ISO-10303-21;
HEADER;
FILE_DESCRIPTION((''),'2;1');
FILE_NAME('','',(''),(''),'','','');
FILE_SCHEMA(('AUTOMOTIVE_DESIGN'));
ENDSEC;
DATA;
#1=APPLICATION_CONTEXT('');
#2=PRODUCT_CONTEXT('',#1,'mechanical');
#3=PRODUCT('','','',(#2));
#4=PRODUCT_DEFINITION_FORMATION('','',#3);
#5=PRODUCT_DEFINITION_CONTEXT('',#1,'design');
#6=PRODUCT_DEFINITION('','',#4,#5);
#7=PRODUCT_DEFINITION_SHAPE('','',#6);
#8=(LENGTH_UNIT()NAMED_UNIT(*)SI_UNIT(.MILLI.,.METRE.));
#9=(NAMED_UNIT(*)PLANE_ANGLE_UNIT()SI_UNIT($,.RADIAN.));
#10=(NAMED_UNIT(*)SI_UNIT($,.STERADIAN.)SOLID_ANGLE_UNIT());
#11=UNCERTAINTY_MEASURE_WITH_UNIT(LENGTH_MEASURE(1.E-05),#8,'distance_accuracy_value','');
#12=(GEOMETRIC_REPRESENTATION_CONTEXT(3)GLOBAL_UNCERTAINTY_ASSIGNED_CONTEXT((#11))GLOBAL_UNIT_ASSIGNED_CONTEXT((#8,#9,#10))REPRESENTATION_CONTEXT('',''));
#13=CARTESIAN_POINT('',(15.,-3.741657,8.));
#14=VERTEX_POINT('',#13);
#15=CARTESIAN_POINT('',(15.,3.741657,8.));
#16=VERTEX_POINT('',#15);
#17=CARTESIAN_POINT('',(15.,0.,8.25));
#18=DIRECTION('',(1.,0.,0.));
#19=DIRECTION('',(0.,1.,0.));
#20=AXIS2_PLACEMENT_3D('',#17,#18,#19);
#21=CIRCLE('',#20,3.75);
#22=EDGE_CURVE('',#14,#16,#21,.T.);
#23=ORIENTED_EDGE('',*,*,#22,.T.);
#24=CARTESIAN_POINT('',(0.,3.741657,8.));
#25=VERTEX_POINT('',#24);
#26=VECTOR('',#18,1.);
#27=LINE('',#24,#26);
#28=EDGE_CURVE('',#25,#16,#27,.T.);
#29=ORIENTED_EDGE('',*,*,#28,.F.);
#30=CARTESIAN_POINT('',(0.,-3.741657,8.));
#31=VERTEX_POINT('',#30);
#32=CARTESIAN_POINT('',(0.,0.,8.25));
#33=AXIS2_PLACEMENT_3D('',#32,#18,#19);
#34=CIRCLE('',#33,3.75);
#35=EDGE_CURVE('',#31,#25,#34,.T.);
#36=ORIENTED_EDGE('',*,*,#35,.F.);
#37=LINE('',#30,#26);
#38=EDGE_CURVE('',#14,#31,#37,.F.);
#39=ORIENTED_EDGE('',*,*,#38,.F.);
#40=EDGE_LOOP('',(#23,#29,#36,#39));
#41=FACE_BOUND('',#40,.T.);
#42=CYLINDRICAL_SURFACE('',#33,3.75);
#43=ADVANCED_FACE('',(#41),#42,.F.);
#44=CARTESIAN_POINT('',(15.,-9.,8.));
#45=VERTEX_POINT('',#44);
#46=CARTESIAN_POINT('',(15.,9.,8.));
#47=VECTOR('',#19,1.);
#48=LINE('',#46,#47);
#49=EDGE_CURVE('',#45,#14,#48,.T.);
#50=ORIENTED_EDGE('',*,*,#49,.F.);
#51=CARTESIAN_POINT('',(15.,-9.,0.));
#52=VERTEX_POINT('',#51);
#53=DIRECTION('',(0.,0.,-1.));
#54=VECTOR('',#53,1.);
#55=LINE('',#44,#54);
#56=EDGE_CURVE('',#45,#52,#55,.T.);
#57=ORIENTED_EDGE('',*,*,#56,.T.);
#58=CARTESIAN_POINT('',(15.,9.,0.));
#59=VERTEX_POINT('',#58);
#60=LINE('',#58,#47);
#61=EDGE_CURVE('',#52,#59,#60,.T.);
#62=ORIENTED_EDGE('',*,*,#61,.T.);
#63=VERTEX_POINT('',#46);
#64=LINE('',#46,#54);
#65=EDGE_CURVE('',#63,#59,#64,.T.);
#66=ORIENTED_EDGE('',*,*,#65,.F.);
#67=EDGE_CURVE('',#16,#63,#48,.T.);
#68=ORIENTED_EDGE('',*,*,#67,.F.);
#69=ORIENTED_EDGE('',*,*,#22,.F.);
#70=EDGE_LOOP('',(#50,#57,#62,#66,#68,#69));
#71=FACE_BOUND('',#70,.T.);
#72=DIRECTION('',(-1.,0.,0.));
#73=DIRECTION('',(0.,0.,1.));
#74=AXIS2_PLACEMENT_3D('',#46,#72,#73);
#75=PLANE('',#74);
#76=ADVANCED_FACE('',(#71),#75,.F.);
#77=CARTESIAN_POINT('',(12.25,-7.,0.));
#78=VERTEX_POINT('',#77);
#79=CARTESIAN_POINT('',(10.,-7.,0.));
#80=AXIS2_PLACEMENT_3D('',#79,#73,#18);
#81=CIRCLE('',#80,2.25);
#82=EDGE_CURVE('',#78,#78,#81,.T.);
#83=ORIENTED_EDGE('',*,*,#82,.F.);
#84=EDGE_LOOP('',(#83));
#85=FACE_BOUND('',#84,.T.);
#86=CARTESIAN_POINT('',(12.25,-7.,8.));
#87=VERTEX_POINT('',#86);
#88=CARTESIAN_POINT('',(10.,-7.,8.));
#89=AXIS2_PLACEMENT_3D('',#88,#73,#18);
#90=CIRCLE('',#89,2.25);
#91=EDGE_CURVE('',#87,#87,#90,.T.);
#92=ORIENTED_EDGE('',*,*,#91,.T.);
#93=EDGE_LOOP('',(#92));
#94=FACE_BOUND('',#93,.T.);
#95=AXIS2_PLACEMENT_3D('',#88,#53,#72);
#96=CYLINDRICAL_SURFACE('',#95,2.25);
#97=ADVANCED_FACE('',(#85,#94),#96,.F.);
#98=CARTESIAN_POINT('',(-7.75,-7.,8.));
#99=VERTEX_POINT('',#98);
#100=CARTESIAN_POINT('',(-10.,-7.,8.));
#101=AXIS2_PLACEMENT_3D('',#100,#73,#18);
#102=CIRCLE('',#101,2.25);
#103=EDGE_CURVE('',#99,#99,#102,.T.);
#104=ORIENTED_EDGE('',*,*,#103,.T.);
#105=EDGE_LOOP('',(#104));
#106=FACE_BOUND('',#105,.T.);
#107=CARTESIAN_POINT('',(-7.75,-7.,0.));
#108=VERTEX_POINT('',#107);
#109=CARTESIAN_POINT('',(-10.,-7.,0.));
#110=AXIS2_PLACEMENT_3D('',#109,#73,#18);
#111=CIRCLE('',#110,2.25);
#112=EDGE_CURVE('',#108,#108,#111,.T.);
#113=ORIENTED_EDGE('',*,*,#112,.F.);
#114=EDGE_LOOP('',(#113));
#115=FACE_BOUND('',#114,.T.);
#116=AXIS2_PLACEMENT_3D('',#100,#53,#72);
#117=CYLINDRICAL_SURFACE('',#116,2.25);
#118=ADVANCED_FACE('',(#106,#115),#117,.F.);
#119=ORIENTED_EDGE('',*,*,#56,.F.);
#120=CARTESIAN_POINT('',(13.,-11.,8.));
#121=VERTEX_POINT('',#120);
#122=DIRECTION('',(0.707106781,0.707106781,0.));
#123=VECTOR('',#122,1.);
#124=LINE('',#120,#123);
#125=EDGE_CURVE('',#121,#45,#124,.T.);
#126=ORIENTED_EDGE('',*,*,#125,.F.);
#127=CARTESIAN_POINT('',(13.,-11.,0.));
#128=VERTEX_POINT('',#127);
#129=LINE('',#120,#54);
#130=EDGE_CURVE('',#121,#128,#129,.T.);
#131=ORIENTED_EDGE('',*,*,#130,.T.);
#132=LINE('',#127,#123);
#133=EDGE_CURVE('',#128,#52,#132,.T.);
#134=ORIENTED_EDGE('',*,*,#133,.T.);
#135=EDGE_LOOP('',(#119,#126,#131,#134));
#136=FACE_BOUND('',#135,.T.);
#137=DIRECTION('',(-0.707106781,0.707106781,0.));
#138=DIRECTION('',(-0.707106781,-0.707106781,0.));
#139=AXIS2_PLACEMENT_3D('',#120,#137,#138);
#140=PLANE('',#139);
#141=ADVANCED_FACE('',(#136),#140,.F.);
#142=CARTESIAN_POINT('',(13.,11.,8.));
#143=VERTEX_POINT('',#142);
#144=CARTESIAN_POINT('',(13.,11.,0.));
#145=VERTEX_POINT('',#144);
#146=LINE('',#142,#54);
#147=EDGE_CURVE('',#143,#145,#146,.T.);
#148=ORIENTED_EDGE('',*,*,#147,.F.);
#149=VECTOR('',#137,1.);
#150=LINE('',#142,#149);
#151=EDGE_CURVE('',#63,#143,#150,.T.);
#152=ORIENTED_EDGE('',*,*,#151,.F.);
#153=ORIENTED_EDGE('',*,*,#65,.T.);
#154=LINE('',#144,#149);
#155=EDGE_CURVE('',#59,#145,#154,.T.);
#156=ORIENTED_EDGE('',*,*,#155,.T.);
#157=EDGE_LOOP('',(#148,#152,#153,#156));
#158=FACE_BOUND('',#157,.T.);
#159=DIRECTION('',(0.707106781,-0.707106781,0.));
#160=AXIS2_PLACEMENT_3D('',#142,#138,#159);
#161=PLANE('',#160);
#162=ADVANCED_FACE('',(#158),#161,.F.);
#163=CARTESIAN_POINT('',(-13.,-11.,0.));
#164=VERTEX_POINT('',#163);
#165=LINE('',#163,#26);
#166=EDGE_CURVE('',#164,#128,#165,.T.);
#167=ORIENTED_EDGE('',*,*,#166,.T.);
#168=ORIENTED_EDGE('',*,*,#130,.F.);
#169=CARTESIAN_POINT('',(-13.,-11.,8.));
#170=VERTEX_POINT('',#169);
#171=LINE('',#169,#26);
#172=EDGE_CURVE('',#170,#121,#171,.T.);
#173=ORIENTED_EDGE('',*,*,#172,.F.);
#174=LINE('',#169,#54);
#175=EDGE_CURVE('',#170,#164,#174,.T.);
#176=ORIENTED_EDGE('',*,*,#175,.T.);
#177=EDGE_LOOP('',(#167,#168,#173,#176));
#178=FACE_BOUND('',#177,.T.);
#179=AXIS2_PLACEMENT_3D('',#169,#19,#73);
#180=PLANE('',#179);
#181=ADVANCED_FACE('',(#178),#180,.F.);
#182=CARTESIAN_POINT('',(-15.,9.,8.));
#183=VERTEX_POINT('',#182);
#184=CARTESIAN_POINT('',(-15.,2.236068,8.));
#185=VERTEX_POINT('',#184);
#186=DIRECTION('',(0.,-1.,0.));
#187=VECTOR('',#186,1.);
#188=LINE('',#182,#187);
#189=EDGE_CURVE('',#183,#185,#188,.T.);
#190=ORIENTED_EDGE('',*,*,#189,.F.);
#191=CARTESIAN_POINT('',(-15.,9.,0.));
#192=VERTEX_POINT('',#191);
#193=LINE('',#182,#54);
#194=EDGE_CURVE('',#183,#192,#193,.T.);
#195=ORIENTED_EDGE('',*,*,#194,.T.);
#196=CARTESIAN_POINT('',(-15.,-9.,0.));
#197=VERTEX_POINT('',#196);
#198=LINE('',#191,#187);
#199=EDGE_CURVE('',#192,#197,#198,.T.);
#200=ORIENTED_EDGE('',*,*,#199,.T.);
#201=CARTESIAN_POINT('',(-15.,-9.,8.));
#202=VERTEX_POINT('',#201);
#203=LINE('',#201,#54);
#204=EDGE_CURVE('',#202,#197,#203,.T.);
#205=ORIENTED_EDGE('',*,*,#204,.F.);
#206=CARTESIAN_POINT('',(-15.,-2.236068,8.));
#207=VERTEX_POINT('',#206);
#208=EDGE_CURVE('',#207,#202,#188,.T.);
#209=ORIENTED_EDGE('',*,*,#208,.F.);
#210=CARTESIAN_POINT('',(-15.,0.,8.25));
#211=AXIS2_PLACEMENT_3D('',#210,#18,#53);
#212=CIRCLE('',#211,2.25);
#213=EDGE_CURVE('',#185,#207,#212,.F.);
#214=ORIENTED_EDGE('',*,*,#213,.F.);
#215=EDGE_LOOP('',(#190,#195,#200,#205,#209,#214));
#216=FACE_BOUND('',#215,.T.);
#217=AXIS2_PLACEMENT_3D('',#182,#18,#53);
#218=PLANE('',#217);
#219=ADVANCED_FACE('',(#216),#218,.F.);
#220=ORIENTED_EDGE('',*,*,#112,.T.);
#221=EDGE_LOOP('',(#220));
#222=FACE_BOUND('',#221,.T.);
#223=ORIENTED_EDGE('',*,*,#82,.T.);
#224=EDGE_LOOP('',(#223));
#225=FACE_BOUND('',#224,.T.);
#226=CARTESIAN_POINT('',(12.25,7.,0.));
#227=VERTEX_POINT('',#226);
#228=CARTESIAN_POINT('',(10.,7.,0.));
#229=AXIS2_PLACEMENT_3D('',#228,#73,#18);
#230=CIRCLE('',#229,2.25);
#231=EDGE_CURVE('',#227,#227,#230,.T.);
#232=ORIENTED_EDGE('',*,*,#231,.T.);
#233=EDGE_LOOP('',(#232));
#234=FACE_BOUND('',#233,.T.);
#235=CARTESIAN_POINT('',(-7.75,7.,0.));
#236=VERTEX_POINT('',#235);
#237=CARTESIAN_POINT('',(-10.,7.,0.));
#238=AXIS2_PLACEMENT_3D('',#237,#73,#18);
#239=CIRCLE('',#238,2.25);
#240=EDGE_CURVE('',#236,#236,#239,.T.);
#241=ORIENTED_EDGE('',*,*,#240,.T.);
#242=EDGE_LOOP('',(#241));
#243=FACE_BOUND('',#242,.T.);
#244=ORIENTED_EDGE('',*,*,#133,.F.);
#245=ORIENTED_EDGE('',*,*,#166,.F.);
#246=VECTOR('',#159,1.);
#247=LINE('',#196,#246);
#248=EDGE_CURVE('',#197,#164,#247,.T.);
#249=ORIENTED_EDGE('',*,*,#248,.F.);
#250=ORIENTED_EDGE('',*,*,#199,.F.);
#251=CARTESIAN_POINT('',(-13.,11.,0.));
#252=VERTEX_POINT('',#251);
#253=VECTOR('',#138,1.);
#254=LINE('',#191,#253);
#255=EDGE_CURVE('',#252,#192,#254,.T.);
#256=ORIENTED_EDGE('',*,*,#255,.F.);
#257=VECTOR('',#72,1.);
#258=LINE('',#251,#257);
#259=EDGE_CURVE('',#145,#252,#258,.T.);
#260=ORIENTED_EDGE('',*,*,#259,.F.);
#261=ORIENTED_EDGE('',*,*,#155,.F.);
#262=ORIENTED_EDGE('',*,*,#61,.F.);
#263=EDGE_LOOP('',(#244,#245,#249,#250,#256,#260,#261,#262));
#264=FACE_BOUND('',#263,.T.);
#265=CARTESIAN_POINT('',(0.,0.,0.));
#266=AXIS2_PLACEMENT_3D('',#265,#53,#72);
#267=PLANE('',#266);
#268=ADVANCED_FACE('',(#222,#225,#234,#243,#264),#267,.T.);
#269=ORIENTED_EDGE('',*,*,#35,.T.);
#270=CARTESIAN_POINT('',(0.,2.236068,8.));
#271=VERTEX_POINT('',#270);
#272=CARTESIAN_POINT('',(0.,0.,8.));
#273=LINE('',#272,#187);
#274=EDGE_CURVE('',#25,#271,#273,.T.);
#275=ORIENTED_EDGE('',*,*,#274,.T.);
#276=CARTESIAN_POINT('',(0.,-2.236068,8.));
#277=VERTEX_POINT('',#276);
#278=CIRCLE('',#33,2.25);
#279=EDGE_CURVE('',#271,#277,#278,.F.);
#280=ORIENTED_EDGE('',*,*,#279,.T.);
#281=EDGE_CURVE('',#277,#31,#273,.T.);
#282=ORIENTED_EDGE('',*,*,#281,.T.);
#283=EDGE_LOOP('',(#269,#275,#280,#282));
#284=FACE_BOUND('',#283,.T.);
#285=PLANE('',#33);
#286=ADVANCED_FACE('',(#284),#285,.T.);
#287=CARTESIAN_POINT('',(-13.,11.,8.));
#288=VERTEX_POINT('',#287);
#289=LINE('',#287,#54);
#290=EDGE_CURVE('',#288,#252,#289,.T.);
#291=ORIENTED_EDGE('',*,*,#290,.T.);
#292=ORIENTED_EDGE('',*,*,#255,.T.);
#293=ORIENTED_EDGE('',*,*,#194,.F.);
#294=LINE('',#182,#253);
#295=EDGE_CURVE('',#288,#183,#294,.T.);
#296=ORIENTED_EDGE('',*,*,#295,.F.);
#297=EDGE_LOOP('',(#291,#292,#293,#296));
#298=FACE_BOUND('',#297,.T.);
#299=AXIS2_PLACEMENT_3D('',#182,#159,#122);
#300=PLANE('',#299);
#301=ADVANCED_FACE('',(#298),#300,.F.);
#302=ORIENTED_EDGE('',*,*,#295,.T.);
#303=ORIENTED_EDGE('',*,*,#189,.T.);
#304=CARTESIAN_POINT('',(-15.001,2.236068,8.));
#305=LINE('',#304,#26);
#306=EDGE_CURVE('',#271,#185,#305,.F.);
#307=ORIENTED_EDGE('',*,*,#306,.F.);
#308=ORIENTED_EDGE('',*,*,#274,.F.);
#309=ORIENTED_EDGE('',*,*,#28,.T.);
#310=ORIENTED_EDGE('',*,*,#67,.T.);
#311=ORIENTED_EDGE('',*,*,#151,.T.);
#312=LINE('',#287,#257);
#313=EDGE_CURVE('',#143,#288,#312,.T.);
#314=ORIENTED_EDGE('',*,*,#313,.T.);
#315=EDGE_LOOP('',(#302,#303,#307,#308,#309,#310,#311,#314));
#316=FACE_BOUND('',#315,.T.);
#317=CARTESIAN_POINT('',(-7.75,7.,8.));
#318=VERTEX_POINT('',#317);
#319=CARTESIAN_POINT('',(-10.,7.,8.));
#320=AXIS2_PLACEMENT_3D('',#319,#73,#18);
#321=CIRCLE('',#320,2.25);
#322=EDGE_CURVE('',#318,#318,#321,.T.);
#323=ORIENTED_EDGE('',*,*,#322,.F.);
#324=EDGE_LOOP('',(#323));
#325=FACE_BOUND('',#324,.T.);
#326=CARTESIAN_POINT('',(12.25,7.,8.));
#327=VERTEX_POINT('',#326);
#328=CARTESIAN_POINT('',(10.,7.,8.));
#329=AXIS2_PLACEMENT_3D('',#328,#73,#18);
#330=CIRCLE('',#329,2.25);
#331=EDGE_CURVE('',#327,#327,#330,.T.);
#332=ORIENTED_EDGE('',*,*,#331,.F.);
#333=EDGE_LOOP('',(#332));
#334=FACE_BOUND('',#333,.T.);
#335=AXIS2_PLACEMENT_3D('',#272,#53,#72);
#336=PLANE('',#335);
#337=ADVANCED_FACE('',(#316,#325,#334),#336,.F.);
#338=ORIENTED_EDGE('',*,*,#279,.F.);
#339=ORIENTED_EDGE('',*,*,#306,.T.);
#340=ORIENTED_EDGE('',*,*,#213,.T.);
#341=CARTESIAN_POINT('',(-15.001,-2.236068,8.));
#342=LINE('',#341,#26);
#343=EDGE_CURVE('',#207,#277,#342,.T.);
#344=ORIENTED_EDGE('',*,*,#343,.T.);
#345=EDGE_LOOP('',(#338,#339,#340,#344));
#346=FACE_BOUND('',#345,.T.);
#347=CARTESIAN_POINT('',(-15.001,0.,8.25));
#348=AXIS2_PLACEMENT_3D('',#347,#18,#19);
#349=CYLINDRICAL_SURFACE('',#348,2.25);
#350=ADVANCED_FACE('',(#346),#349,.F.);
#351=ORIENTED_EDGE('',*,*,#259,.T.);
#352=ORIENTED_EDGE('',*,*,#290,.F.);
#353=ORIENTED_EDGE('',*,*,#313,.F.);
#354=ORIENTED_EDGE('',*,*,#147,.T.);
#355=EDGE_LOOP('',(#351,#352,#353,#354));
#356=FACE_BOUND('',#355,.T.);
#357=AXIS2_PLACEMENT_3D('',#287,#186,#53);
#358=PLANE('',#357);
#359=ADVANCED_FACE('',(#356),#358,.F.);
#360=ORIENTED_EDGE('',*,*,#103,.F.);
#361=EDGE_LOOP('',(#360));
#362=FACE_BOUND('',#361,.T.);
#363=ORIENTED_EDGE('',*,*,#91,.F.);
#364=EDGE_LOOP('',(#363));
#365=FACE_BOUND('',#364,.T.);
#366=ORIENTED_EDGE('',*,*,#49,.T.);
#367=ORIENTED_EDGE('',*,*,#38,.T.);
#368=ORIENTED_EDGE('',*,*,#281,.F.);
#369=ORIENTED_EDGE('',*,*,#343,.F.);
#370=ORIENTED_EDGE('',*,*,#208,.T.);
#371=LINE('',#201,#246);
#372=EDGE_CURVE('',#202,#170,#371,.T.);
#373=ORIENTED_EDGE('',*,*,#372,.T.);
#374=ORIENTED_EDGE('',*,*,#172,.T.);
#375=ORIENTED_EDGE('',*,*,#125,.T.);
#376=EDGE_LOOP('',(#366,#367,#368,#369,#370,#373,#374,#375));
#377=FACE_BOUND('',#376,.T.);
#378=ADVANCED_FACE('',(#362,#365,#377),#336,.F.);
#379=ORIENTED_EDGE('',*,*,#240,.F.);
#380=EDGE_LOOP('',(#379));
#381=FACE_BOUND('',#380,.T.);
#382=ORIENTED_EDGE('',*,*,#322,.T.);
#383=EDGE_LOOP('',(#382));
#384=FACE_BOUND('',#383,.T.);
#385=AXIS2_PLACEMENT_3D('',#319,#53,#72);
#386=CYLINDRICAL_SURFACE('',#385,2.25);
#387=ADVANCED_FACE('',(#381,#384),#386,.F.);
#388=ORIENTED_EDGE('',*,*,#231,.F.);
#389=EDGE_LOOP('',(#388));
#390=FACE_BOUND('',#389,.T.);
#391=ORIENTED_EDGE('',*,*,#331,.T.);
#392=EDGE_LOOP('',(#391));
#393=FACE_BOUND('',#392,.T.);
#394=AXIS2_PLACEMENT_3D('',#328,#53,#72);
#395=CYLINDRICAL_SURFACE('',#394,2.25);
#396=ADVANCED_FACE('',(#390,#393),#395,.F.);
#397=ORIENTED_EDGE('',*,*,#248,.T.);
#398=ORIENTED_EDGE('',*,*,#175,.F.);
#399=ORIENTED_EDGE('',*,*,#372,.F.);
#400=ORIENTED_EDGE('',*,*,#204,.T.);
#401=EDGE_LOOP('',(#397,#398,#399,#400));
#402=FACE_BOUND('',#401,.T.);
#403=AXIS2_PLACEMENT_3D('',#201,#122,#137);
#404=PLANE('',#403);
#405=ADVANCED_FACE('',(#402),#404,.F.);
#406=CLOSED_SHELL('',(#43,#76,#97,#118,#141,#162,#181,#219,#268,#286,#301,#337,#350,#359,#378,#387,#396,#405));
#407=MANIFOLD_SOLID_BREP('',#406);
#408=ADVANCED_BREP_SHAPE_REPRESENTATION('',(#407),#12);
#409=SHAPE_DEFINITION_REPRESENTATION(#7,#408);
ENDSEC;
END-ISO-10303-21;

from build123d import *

# Parameters (mm, degrees)
SKETCH2_R           = 2.25
BOSS_EXTRUDE1_DEPTH = 8
CUT_EXTRUDE1_REACH  = 34.939
SKETCH3_R           = 2.25
SKETCH4_R           = 3.75
CUT_EXTRUDE2_DEPTH  = 15


with BuildPart() as part:
    # Sketch2 → Boss-Extrude1 (new body)
    with BuildSketch(Plane.XY):
        Polygon((-13, 11), (13, 11), (15, 9), (15, -9), (13, -11), (-13, -11), (-15, -9), (-15, 9), align=None)
        with Locations((-10, 7)):
            Circle(SKETCH2_R, mode=Mode.SUBTRACT)
        with Locations((-10, -7)):
            Circle(SKETCH2_R, mode=Mode.SUBTRACT)
        with Locations((10, 7)):
            Circle(SKETCH2_R, mode=Mode.SUBTRACT)
        with Locations((10, -7)):
            Circle(SKETCH2_R, mode=Mode.SUBTRACT)
    extrude(amount=BOSS_EXTRUDE1_DEPTH)

    # Sketch3 → Cut-Extrude1 (cut, up to next)
    with BuildSketch(Plane(origin=(15, 0, 0), x_dir=(0, 0, -1), z_dir=(1, 0, 0)), mode=Mode.PRIVATE) as cut_extrude1_sk1:
        with Locations((-8.25, 0)):
            Circle(SKETCH3_R)
    cut_extrude1_tool1 = extrude(cut_extrude1_sk1.sketch, amount=-CUT_EXTRUDE1_REACH, mode=Mode.PRIVATE) & part.part
    add(cut_extrude1_tool1.solids().sort_by_distance((15, 0, 8.25))[0], mode=Mode.SUBTRACT)

    # Sketch4 → Cut-Extrude2 (cut)
    with BuildSketch(Plane(origin=(15, 0, 0), x_dir=(0, 0, -1), z_dir=(1, 0, 0))):
        with Locations((-8.25, 0)):
            Circle(SKETCH4_R)
    extrude(amount=-CUT_EXTRUDE2_DEPTH, mode=Mode.SUBTRACT)


solid = part.part
